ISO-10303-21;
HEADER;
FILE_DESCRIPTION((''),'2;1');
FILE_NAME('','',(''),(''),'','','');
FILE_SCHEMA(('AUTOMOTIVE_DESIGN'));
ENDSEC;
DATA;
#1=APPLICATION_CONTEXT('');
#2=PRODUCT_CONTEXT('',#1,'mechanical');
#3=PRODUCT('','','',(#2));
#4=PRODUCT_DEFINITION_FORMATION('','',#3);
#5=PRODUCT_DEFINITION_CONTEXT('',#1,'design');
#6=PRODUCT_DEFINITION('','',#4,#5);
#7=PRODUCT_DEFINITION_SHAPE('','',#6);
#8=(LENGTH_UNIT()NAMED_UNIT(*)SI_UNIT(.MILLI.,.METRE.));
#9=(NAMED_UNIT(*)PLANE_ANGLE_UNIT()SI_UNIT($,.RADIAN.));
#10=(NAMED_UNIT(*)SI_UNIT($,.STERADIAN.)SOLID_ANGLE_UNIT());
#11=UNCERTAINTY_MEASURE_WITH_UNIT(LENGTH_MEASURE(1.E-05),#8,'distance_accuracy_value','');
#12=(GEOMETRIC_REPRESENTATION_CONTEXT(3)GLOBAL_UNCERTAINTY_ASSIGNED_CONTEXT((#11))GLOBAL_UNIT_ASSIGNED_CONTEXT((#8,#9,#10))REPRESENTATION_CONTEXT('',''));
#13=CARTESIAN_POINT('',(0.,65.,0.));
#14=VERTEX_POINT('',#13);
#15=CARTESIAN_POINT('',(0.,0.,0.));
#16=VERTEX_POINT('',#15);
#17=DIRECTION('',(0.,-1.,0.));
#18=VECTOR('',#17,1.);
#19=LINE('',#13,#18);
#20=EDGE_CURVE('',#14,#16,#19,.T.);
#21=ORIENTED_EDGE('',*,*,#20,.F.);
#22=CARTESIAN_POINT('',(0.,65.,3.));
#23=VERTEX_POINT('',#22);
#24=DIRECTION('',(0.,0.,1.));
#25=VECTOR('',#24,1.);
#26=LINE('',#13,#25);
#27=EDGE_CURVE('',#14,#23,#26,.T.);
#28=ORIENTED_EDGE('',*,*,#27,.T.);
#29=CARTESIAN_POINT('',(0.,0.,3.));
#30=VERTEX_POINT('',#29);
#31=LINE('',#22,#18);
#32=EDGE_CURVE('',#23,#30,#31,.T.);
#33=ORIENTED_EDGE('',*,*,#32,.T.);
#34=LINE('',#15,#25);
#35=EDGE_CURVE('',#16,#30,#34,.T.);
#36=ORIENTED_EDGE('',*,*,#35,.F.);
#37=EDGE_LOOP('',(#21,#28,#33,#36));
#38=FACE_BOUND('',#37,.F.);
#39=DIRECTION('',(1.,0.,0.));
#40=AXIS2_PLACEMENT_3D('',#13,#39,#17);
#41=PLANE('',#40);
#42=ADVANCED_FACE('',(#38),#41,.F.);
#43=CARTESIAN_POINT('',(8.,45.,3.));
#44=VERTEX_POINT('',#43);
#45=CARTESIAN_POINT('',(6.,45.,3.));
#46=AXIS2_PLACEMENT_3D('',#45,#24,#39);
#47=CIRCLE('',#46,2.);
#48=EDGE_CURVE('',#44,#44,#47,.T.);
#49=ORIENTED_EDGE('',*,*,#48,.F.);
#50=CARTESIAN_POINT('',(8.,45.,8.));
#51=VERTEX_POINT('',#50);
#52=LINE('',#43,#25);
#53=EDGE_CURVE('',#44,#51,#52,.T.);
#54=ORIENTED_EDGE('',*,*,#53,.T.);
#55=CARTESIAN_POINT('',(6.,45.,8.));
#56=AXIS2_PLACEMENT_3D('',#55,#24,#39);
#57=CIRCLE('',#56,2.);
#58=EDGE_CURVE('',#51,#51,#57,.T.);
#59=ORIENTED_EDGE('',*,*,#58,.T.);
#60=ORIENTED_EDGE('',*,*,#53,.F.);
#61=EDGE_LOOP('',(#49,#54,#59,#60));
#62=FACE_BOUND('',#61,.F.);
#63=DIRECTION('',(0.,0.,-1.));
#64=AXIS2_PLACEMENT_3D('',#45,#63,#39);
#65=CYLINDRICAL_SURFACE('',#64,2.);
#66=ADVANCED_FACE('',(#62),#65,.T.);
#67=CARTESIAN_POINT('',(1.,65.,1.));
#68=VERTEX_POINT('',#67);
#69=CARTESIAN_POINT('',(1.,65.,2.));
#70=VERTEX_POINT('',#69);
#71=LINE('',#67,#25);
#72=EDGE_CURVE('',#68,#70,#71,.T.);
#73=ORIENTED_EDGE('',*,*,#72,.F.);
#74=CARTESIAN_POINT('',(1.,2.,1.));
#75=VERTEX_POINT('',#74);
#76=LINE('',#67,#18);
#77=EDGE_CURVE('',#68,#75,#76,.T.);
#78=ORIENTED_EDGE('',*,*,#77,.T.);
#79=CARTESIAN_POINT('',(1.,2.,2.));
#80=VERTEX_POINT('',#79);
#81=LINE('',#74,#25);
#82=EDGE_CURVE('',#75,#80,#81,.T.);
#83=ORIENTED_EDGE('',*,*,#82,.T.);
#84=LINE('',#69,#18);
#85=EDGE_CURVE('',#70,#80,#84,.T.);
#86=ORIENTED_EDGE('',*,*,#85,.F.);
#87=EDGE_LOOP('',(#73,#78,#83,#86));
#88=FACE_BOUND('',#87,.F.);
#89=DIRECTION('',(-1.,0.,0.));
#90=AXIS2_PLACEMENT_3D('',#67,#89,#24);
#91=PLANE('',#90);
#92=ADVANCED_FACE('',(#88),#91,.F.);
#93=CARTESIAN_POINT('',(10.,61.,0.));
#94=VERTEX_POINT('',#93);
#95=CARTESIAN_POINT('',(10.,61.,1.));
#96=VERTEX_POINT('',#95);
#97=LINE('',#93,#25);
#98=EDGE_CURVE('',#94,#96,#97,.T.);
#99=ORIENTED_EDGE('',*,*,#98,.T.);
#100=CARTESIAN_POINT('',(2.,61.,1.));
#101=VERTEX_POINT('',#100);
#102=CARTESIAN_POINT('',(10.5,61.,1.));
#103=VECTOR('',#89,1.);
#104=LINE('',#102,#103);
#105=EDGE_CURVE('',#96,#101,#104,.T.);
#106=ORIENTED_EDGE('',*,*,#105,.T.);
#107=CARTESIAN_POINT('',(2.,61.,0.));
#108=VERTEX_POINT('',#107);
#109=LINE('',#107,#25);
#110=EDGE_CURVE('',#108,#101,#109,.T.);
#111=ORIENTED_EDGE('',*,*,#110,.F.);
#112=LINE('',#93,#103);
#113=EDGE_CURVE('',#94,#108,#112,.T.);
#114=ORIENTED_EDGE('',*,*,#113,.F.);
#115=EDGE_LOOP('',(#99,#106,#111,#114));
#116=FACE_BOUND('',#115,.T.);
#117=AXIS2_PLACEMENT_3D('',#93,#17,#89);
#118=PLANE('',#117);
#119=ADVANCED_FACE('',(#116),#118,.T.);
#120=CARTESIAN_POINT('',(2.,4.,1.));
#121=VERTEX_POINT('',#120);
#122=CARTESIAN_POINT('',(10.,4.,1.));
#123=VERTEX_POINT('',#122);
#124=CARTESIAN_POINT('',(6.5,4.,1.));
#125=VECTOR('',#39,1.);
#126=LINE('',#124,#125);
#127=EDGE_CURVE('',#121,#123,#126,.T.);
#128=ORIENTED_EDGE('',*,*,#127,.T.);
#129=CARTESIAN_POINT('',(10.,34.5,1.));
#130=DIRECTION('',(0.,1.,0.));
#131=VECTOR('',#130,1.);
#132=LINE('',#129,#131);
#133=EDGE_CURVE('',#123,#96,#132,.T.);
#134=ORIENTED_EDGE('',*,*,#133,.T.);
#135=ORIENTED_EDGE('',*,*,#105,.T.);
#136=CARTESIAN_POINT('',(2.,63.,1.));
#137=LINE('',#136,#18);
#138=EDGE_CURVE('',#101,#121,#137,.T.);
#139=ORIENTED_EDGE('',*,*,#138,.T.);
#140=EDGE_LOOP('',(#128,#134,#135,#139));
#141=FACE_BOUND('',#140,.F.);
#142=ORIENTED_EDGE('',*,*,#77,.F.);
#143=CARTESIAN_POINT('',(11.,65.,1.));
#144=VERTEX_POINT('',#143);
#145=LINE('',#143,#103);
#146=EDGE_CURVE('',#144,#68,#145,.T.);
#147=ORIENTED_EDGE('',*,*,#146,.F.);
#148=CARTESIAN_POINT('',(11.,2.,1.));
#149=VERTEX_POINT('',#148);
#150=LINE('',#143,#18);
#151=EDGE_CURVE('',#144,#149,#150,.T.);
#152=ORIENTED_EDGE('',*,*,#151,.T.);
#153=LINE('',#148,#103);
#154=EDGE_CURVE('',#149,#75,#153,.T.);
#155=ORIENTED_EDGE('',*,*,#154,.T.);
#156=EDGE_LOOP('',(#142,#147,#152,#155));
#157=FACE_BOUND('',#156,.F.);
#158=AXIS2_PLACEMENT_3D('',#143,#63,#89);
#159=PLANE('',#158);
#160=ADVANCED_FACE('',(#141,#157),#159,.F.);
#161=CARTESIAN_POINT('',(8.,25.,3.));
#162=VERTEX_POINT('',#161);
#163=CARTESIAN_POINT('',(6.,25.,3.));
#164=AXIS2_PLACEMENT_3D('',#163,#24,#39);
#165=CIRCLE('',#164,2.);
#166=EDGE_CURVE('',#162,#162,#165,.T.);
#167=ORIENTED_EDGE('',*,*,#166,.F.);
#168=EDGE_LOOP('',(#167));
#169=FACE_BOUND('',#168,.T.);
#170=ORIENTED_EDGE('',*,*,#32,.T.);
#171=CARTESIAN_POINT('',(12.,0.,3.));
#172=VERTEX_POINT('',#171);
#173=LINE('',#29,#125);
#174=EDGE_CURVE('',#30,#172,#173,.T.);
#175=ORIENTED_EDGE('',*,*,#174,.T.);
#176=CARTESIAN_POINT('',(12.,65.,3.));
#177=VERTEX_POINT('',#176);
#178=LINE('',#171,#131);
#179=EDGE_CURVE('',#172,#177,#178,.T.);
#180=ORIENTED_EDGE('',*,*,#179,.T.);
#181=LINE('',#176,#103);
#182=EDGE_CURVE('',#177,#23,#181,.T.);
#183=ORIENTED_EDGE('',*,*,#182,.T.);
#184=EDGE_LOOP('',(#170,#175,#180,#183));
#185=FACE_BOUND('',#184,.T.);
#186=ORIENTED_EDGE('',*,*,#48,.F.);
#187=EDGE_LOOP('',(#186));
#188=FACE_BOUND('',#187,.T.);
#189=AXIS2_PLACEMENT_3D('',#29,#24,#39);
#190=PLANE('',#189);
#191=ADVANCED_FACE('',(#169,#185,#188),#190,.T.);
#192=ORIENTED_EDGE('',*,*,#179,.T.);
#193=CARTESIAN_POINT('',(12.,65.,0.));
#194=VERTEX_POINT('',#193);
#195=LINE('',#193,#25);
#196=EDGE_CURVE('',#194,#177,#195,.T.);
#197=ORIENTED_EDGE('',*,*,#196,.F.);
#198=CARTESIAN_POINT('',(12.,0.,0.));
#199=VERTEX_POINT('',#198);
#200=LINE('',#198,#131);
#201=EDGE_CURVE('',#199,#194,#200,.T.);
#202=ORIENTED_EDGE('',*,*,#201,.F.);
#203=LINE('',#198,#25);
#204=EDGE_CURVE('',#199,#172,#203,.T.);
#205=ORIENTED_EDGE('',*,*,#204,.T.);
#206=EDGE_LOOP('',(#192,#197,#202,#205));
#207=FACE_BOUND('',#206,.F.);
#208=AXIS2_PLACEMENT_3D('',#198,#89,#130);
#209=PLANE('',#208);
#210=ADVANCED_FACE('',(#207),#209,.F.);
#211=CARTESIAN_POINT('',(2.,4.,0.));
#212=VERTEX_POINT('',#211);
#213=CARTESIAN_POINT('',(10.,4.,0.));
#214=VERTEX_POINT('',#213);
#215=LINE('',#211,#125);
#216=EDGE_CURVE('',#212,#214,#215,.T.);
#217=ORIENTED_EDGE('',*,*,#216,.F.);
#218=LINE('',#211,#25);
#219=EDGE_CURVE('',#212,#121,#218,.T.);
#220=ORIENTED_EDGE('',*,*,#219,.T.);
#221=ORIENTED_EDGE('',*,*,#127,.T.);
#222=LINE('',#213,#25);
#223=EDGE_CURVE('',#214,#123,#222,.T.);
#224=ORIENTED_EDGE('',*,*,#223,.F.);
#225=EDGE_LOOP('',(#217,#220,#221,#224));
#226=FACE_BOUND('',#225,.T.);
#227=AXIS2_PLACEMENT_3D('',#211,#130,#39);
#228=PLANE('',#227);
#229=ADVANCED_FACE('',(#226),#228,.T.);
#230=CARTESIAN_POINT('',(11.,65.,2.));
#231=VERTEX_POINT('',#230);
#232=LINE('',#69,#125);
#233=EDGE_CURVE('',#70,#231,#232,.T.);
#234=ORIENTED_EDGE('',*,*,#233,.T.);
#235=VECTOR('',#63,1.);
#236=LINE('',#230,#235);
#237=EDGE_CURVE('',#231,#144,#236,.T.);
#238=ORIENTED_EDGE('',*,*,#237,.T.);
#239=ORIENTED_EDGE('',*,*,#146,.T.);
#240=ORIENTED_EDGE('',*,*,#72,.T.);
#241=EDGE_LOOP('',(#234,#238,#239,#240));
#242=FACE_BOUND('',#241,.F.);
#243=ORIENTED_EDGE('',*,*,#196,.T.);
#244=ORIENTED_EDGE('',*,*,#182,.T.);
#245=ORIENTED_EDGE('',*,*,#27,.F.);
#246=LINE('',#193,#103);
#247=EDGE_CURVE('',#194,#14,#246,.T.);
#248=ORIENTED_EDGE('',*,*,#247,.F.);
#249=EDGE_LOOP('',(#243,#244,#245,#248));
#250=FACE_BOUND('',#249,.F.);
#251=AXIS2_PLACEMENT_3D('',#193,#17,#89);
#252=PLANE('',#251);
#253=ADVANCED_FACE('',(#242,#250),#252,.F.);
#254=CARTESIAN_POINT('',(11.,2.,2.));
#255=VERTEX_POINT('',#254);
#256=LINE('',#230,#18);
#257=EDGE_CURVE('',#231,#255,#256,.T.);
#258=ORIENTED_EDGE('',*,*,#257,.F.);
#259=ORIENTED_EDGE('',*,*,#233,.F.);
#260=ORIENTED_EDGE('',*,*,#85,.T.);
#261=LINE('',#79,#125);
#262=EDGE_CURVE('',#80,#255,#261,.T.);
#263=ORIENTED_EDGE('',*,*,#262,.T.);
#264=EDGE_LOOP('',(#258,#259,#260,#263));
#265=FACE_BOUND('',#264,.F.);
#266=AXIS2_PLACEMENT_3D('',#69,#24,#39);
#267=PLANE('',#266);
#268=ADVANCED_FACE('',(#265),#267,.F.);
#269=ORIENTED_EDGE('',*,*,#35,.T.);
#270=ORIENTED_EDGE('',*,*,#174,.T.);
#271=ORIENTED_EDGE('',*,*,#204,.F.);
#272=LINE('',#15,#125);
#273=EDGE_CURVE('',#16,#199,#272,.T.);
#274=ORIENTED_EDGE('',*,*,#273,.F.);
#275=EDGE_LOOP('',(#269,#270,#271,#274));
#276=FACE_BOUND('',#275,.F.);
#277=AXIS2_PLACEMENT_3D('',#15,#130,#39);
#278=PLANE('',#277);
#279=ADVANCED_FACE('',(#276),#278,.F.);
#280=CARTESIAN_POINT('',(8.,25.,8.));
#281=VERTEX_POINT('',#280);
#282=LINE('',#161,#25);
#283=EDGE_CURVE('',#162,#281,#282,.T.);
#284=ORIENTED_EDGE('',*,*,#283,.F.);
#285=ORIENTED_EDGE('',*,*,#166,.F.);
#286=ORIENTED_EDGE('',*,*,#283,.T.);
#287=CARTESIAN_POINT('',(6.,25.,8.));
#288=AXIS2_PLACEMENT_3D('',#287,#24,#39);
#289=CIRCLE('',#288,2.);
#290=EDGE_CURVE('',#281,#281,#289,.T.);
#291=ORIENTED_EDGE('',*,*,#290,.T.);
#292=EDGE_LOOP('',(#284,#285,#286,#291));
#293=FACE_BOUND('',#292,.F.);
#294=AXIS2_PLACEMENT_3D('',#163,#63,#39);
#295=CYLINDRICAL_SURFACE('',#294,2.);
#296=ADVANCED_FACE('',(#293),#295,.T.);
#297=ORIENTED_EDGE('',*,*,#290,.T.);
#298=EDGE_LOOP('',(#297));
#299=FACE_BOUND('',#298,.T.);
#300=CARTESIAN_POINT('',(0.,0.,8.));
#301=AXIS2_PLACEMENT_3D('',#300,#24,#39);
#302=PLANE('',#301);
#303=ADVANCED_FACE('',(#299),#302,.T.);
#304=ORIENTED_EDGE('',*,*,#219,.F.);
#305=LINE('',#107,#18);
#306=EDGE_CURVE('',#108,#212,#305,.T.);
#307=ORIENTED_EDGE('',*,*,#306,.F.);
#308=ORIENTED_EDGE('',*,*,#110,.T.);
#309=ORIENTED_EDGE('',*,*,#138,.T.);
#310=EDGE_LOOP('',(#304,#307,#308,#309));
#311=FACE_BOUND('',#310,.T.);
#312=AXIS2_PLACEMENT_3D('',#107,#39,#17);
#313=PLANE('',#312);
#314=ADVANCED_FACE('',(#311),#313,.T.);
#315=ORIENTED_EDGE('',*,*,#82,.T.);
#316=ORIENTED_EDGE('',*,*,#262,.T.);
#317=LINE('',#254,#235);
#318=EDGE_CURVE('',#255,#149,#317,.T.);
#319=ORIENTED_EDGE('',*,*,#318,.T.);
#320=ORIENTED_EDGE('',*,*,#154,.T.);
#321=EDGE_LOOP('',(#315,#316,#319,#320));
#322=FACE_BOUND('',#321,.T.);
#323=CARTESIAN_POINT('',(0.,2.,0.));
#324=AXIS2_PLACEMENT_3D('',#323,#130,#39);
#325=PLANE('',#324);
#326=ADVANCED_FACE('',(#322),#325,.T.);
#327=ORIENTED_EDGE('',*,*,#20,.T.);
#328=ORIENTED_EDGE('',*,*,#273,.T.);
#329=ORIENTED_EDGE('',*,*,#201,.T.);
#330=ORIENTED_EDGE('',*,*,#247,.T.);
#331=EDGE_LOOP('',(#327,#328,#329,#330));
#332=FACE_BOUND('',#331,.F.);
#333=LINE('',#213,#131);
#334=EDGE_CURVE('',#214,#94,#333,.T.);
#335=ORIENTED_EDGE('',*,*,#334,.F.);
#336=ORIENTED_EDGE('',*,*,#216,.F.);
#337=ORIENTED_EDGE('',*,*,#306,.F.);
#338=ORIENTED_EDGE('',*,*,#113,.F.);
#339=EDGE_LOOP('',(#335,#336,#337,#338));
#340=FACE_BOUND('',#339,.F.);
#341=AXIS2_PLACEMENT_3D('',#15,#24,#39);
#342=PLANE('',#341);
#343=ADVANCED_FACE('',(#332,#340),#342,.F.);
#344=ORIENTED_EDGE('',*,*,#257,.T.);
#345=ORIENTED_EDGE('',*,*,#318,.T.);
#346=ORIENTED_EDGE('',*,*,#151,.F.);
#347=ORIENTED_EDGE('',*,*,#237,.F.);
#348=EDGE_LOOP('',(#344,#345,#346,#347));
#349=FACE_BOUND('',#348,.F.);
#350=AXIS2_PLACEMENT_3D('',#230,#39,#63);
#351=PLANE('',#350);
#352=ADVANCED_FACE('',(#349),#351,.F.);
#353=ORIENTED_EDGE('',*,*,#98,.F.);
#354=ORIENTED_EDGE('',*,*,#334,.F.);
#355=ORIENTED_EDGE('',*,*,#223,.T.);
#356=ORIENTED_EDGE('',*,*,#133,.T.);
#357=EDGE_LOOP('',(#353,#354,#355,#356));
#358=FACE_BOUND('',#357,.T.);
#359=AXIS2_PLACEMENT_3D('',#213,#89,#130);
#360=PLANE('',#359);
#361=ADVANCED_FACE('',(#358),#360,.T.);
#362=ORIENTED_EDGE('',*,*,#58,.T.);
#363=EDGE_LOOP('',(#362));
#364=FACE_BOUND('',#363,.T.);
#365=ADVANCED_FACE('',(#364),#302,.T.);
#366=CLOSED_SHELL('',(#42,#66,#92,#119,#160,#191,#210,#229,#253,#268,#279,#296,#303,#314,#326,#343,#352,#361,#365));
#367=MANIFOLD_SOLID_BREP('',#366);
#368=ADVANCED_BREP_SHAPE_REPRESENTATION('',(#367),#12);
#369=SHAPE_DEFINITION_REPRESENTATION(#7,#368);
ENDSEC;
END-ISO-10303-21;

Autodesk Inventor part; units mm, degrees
ref_plane "YZ Plane" through (0, 0, 0) normal (1, 0, 0) x (0, 1, 0)
ref_plane "XZ Plane" through (0, 0, 0) normal (0, 1, 0) x (-1, 0, 0)
ref_plane "XY Plane" through (0, 0, 0) normal (0, 0, 1) x (1, 0, 0)
sketch "Sketch1" plane through (0, 0, 0) normal (0, 0, 1) x (1, 0, 0)
  line L0 (0, 0) -> (12, 0)
  line L1 (12, 0) -> (12, 65)
  line L2 (12, 65) -> (0, 65)
  line L3 (0, 65) -> (0, 0)
  dimension "d0" = 65
  dimension "d1" = 12
extrude "Extrusion1" add sketch "Sketch1" along normal blind 3
sketch "Sketch2" plane through (0, 0, 3) normal (0, 0, 1) x (1, 0, 0)
  circle A0 centre (6, 45) radius 2
  circle A1 centre (6, 25) radius 2
  line L0 (0, 65) -> (0, 0) projected
  line L1 (12, 0) -> (12, 65) projected
  line L2 (12, 65) -> (0, 65) projected
  dimension "d4" = 12
  dimension "d5" = 6
  dimension "d6" = 0
  dimension "d7" = 20
  dimension "d8" = 20
  dimension "d9" = 4
extrude "Extrusion2" add sketch "Sketch2" along normal blind 5
sketch "Sketch3" plane through (0, 65, 0) normal (0, 1, 0) x (1, 0, 0)
  line L0 (1, -2) -> (11, -2)
  line L1 (11, -2) -> (11, -1)
  line L2 (11, -1) -> (1, -1)
  line L3 (1, -1) -> (1, -2)
  line L4 (12, 0) -> (0, 0) projected
  line L5 (0, 0) -> (0, -3) projected
  line L6 (12, 0) -> (12, -3) projected
  dimension "d12" = 1
  dimension "d13" = 1
  dimension "d14" = 1
  dimension "d15" = 1
sketch "Sketch4" plane through (0, 0, 3) normal (0, 0, 1) x (1, 0, 0)
  line L0 (0, 0) -> (12, 0) projected
  line L1 (12, 65) -> (0, 65) projected
  dimension "d16" = 65
extrude "Extrusion3" cut sketch "Sketch3" against normal blind 63
sketch "Sketch5" plane through (0, 0, 0) normal (0, 0, -1) x (-1, 0, 0)
  point P0 (0, 0)
sketch "Sketch6" plane through (0, 0, 0) normal (0, 0, -1) x (-1, 0, 0)
  line L0 (-10, 61) -> (-2, 61)
  line L1 (-2, 61) -> (-2, 4)
  line L2 (-2, 4) -> (-10, 4)
  line L3 (-10, 4) -> (-10, 61)
  line L4 (0, 0) -> (-12, 0) projected
  line L5 (-12, 65) -> (0, 65) projected
  line L6 (0, 65) -> (0, 0) projected
  line L7 (-12, 0) -> (-12, 65) projected
  dimension "d19" = 4
  dimension "d20" = 4
  dimension "d21" = 2
  dimension "d22" = 2
extrude "Extrusion4" cut sketch "Sketch6" against normal up to surface (2 mm away) contours L0 L1 L2 L3
properties part number "covet cover"
